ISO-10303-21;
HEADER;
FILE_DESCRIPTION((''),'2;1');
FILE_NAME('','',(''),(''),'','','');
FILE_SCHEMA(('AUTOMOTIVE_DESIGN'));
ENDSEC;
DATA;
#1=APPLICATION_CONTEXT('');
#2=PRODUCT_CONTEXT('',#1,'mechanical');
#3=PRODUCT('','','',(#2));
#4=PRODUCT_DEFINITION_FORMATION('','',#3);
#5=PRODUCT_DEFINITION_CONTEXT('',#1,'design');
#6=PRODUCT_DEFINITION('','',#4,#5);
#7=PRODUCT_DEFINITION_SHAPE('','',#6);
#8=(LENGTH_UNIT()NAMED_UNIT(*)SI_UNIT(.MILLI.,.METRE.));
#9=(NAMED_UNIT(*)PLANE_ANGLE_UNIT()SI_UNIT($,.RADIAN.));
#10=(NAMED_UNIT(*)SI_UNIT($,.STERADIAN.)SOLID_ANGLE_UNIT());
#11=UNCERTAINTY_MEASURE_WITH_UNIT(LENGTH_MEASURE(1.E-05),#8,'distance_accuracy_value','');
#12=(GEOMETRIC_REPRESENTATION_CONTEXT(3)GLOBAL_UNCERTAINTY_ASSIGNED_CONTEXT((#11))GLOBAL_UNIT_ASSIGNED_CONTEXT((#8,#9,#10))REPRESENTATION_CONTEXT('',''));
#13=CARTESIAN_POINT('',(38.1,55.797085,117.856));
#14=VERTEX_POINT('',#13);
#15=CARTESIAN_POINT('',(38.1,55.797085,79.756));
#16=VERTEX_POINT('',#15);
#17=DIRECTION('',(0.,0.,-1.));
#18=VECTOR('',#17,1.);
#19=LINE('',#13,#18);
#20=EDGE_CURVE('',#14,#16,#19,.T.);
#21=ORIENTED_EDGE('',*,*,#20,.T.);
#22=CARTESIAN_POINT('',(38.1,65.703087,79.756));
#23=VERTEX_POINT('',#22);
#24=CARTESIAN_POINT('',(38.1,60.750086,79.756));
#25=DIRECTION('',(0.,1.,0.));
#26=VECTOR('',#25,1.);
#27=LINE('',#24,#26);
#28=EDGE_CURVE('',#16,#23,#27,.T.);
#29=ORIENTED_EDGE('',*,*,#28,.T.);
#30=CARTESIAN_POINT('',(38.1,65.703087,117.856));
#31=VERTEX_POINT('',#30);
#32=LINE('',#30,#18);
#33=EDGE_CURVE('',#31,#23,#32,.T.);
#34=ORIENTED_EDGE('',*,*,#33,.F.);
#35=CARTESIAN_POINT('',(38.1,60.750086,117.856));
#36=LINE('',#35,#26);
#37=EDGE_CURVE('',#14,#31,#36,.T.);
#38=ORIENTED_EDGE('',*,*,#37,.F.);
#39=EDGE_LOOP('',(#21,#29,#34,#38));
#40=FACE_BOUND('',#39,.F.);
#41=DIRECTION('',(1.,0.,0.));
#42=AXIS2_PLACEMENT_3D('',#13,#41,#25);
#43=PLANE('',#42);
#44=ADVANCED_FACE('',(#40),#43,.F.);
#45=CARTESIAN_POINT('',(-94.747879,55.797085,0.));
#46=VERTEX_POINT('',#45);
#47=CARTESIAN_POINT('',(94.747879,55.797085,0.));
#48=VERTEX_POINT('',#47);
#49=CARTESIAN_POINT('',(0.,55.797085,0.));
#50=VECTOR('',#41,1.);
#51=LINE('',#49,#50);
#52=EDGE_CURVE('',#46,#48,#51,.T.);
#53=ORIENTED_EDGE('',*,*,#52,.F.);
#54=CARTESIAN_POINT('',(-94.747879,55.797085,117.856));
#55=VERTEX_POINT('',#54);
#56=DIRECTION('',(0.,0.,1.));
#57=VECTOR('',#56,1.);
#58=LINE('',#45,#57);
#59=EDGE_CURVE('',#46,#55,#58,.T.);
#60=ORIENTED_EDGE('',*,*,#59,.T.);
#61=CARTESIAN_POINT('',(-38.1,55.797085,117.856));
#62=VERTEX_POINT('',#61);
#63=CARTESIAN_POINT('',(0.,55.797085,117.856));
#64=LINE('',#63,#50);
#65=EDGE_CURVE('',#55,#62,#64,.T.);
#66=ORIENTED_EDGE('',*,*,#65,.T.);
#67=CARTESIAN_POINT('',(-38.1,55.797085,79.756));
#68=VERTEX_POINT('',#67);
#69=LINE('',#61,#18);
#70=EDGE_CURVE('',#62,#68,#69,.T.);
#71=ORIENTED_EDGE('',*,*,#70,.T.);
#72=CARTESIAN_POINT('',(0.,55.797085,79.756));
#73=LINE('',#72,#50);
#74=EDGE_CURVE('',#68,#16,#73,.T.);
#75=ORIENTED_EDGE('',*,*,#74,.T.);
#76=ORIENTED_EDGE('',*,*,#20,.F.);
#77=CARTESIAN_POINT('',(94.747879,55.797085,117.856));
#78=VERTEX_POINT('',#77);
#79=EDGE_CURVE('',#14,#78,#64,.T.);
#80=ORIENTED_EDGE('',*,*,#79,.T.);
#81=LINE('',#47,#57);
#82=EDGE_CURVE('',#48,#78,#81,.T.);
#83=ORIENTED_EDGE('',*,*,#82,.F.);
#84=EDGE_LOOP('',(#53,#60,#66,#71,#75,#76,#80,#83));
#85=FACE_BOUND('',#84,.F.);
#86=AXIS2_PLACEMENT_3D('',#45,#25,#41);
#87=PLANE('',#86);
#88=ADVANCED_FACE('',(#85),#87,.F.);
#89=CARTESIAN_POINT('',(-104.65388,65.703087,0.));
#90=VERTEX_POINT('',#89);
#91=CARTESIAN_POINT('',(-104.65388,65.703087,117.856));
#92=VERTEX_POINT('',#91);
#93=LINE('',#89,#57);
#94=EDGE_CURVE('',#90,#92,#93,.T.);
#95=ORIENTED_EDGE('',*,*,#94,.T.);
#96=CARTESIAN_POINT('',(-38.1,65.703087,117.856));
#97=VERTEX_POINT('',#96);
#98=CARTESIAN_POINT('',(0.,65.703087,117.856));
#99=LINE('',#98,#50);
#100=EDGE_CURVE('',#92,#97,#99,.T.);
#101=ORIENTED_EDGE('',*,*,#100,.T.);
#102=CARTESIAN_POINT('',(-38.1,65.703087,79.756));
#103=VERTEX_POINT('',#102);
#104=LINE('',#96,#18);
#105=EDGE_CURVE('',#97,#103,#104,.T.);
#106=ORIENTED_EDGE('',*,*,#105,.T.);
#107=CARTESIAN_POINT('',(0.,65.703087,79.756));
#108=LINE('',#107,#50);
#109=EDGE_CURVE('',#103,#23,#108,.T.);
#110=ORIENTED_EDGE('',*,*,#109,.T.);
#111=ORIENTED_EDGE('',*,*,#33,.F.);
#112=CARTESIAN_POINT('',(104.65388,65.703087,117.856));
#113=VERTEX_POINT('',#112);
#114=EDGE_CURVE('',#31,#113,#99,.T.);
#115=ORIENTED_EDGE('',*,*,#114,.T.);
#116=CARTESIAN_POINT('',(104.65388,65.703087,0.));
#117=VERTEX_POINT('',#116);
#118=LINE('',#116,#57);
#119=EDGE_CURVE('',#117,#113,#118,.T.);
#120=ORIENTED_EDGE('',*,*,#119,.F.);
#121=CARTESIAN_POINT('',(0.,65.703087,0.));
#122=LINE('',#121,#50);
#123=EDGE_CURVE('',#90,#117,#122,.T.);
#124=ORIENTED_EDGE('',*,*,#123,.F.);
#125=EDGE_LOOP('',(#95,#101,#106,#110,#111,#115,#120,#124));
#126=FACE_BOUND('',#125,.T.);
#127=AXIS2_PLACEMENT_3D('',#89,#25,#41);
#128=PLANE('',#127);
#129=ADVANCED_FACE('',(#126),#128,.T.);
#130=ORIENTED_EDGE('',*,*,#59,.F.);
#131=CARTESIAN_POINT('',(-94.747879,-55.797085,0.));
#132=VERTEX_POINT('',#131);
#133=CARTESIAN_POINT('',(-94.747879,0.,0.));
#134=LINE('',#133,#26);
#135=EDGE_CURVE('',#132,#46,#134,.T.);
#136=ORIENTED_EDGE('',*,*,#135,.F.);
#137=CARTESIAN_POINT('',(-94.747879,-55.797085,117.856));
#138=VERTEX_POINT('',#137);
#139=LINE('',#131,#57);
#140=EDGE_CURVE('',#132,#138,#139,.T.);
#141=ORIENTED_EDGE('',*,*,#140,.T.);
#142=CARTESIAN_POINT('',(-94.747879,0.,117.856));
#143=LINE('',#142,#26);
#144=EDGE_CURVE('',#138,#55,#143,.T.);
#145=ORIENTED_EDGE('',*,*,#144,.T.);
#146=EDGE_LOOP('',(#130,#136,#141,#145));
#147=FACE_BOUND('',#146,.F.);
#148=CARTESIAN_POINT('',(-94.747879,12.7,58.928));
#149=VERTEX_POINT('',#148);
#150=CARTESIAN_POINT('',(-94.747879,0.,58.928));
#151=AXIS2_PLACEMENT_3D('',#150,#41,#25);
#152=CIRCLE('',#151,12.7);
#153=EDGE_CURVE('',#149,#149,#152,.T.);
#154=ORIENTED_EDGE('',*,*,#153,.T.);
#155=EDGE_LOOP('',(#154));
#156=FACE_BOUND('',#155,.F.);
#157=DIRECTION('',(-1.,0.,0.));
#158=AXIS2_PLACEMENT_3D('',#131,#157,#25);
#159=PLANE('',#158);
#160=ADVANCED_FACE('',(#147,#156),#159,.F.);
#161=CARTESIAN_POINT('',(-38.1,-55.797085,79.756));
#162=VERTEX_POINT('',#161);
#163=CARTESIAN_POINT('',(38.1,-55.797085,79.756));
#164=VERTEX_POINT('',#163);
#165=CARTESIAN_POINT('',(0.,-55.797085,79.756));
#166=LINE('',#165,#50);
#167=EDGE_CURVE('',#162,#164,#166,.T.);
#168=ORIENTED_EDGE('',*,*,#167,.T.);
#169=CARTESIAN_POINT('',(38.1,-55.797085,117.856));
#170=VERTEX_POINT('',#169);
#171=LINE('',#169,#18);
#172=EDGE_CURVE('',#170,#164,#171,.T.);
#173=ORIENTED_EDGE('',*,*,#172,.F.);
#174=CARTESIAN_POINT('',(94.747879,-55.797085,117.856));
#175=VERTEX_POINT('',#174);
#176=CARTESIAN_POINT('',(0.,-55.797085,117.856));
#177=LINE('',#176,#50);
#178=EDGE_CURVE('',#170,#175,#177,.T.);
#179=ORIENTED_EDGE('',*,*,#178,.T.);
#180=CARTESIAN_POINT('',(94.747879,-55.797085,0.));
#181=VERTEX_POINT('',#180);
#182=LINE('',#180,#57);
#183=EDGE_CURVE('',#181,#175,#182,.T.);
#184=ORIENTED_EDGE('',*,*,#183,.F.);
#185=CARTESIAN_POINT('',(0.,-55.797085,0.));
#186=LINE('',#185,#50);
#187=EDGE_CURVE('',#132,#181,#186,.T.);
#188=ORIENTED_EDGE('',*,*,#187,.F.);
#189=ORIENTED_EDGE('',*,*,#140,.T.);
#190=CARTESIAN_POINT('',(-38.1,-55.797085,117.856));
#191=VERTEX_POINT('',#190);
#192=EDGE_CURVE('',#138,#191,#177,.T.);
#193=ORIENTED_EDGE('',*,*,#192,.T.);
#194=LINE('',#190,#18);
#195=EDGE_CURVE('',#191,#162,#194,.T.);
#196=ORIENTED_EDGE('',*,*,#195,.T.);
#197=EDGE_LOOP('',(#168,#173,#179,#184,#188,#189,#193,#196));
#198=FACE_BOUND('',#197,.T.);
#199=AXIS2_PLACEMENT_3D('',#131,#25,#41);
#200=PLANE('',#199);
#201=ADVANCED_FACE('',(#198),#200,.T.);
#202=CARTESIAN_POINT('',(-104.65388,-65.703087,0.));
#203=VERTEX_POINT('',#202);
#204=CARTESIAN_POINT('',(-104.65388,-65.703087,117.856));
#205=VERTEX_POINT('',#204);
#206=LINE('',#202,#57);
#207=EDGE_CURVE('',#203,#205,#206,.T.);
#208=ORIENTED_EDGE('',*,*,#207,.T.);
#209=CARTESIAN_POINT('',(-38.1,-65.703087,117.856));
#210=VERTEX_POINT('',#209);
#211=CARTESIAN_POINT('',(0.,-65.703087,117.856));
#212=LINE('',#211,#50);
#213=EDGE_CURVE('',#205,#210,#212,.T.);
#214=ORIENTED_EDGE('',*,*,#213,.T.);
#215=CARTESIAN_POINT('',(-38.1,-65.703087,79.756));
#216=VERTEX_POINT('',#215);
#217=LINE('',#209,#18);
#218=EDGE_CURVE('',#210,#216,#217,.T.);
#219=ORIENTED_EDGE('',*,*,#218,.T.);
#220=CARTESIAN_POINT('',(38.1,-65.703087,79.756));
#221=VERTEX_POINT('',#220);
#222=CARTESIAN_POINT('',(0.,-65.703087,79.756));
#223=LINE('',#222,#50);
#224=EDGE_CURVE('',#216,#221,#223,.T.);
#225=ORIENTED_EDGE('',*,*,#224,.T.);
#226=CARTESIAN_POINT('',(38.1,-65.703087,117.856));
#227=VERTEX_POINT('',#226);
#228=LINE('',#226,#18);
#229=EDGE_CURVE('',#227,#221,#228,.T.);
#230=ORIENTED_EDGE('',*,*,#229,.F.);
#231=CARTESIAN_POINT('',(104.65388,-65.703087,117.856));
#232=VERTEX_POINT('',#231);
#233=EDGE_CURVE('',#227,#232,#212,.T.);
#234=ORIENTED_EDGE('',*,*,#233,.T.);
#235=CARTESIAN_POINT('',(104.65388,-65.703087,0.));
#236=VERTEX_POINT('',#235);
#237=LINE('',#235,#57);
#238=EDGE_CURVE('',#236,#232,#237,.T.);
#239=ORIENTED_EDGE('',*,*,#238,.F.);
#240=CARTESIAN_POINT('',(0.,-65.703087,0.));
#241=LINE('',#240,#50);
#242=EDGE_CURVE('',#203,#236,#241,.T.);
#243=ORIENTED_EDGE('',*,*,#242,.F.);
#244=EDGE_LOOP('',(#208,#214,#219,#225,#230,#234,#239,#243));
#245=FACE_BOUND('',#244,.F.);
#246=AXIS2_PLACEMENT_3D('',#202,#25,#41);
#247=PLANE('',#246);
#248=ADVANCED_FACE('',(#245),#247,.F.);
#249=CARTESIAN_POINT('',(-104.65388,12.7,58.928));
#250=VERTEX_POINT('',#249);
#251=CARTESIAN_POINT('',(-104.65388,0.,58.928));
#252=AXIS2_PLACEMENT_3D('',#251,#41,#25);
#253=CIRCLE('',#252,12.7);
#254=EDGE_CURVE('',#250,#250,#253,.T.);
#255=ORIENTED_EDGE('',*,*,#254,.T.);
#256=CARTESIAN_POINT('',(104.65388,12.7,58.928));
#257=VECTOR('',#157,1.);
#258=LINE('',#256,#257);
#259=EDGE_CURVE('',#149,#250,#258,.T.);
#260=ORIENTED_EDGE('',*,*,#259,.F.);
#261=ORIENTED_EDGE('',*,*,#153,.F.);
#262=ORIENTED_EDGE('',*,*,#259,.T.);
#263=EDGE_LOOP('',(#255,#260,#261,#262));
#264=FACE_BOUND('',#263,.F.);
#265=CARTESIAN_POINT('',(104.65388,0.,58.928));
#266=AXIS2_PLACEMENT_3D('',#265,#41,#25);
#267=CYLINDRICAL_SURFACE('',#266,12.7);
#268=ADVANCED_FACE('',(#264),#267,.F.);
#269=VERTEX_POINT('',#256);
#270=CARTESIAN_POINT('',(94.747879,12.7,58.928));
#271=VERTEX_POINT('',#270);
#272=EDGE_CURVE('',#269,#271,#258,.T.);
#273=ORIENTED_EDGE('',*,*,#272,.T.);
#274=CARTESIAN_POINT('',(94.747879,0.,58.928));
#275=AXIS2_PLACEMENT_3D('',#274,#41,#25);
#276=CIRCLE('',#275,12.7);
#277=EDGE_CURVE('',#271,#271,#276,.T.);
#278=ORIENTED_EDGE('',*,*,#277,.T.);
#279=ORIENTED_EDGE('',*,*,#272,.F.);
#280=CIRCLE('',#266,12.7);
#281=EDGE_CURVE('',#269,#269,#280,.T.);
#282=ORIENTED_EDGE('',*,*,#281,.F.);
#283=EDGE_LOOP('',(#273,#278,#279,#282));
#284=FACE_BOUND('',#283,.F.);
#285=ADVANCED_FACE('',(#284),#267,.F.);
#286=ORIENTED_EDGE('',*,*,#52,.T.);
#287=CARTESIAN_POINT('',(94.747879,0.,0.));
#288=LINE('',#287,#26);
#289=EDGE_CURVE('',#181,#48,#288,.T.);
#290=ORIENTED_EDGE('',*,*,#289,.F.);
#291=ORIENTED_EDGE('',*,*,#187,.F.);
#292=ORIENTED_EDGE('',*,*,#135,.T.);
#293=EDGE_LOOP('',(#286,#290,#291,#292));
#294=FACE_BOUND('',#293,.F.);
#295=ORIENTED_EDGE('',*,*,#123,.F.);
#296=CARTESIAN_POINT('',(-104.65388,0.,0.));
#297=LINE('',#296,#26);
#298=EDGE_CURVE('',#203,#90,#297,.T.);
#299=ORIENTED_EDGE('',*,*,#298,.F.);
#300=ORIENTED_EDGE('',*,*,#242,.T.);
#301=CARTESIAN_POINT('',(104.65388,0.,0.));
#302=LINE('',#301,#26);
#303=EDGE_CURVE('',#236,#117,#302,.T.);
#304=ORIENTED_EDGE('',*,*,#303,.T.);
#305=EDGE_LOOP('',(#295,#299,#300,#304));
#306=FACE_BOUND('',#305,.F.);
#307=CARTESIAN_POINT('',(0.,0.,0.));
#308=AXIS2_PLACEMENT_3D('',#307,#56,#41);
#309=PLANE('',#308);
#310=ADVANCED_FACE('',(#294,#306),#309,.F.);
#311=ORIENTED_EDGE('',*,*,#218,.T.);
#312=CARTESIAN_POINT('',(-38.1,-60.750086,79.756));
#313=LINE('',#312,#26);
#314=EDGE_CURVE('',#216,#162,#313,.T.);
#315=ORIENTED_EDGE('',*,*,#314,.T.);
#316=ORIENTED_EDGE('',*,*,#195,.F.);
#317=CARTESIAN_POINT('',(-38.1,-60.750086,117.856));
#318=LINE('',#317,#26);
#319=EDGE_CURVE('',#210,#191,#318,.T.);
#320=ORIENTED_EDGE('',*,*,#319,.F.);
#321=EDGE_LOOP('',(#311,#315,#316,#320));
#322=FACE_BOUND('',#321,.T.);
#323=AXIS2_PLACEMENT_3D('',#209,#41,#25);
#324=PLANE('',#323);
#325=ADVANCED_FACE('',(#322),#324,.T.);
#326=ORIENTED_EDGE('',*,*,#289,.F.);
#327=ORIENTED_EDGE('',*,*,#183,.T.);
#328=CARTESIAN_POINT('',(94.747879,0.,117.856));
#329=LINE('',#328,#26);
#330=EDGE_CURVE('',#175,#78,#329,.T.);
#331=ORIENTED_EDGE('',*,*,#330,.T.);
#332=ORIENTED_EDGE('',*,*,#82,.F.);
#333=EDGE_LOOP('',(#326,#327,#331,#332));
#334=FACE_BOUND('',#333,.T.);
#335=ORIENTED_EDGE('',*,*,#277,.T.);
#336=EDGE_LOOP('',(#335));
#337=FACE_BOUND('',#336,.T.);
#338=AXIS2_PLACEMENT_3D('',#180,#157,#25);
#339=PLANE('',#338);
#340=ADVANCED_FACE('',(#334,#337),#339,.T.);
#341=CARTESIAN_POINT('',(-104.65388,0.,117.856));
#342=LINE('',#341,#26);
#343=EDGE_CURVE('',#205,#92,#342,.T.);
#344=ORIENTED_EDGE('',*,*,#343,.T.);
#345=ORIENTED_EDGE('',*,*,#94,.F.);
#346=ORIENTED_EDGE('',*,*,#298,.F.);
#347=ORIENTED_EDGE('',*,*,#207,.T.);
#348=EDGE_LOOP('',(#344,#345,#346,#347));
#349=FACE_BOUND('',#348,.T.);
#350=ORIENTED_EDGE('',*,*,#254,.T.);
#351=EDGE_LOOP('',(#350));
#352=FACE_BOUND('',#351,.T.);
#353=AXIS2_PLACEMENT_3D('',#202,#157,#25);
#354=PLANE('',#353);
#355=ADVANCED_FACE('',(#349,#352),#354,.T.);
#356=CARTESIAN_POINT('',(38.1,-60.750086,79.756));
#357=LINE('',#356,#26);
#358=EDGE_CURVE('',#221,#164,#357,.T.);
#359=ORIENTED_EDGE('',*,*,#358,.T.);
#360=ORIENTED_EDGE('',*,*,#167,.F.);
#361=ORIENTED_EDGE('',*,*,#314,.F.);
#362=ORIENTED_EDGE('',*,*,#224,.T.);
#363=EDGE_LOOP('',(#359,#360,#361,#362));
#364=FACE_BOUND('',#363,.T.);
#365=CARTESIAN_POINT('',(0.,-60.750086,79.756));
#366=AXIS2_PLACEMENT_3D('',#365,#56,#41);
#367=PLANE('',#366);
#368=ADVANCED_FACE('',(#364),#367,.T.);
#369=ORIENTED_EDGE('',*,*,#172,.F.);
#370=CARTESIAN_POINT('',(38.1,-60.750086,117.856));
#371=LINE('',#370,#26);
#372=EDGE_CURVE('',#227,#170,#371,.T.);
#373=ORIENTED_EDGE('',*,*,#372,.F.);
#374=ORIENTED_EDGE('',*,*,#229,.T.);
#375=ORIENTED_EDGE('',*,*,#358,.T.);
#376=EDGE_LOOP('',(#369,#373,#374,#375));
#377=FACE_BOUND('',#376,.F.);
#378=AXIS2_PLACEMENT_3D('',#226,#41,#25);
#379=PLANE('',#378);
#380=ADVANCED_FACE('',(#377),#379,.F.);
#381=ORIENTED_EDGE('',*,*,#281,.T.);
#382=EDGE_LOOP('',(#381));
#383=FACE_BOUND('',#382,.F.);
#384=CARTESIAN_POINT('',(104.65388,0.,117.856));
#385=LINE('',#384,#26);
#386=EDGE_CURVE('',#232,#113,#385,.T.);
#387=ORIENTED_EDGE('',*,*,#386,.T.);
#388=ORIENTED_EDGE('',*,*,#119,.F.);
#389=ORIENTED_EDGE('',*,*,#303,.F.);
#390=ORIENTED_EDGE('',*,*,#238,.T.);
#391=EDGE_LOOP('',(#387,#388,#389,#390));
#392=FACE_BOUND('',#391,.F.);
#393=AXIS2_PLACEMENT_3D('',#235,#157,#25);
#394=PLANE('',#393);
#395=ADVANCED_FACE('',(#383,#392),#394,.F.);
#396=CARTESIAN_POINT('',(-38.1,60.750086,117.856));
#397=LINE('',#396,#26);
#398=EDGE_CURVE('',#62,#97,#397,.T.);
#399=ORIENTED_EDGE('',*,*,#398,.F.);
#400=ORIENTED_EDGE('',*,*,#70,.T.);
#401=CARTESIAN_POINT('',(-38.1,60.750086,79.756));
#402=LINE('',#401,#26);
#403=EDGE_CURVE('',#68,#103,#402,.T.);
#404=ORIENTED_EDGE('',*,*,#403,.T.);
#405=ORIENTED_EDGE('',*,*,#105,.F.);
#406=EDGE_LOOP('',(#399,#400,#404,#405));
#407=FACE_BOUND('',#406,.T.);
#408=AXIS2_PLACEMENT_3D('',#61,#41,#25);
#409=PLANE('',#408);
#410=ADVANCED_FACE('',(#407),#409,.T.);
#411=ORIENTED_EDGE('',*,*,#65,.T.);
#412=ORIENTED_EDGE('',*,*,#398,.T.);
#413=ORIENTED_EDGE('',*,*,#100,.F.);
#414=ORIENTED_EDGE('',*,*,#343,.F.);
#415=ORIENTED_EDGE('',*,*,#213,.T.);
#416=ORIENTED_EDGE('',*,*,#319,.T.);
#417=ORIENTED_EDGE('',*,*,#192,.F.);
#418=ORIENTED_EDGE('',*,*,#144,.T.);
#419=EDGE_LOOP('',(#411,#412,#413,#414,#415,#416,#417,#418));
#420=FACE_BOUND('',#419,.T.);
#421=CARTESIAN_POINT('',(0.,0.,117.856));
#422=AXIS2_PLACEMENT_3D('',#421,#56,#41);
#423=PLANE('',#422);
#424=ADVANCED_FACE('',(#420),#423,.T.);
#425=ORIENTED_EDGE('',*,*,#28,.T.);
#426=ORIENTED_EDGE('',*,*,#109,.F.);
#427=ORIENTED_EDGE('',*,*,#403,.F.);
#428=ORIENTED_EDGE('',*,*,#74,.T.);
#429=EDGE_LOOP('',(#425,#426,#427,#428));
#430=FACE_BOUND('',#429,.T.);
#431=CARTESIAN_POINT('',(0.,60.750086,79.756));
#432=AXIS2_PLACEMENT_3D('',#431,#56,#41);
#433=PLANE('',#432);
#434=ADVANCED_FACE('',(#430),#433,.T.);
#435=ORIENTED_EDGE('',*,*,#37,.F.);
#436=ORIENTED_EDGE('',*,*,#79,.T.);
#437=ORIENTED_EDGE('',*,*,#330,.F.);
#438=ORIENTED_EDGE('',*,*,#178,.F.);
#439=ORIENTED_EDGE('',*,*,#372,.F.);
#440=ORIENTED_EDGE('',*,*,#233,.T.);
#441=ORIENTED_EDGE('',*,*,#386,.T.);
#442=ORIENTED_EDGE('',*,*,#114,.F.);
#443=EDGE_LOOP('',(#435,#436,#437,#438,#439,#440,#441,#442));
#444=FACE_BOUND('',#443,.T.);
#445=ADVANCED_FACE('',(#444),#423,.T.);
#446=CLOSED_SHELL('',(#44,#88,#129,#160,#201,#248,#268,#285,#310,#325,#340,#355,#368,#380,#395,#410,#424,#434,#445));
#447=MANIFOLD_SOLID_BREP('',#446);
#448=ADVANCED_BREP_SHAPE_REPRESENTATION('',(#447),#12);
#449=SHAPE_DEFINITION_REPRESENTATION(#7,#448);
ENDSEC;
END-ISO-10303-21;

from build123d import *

# Parameters (mm, degrees)
F0_W     = 209.3077600002
F0_H     = 131.40617311
F0_W_2   = 189.4957572222
F0_H_2   = 111.594170332
F1_DEPTH = 117.856
F2_W     = 76.2
F2_H     = 9.906001389
F3_DEPTH = 38.1
F4_R     = 12.7
F5_DEPTH = 209.3087600002


with BuildPart() as f1:
    # F0 (on Top) → F1 (new body)
    with BuildSketch(Plane.XY):
        Rectangle(F0_W, F0_H)
        Rectangle(F0_W_2, F0_H_2, mode=Mode.SUBTRACT)
    extrude(amount=F1_DEPTH)

    # F2 (on face) → F3 (cut)
    with BuildSketch(Plane.XY.offset(117.856)):
        with Locations((0, 60.7500858605)):
            Rectangle(F2_W, F2_H)
        with Locations((0, -60.7500858605)):
            Rectangle(F2_W, F2_H)
    extrude(amount=-F3_DEPTH, mode=Mode.SUBTRACT)

    # F4 (on face) → F5 (cut, through all)
    with BuildSketch(Plane.YZ.offset(104.6538800001)):
        with Locations((0, 58.928)):
            Circle(F4_R)
    extrude(amount=-F5_DEPTH, mode=Mode.SUBTRACT)


solid = f1.part
